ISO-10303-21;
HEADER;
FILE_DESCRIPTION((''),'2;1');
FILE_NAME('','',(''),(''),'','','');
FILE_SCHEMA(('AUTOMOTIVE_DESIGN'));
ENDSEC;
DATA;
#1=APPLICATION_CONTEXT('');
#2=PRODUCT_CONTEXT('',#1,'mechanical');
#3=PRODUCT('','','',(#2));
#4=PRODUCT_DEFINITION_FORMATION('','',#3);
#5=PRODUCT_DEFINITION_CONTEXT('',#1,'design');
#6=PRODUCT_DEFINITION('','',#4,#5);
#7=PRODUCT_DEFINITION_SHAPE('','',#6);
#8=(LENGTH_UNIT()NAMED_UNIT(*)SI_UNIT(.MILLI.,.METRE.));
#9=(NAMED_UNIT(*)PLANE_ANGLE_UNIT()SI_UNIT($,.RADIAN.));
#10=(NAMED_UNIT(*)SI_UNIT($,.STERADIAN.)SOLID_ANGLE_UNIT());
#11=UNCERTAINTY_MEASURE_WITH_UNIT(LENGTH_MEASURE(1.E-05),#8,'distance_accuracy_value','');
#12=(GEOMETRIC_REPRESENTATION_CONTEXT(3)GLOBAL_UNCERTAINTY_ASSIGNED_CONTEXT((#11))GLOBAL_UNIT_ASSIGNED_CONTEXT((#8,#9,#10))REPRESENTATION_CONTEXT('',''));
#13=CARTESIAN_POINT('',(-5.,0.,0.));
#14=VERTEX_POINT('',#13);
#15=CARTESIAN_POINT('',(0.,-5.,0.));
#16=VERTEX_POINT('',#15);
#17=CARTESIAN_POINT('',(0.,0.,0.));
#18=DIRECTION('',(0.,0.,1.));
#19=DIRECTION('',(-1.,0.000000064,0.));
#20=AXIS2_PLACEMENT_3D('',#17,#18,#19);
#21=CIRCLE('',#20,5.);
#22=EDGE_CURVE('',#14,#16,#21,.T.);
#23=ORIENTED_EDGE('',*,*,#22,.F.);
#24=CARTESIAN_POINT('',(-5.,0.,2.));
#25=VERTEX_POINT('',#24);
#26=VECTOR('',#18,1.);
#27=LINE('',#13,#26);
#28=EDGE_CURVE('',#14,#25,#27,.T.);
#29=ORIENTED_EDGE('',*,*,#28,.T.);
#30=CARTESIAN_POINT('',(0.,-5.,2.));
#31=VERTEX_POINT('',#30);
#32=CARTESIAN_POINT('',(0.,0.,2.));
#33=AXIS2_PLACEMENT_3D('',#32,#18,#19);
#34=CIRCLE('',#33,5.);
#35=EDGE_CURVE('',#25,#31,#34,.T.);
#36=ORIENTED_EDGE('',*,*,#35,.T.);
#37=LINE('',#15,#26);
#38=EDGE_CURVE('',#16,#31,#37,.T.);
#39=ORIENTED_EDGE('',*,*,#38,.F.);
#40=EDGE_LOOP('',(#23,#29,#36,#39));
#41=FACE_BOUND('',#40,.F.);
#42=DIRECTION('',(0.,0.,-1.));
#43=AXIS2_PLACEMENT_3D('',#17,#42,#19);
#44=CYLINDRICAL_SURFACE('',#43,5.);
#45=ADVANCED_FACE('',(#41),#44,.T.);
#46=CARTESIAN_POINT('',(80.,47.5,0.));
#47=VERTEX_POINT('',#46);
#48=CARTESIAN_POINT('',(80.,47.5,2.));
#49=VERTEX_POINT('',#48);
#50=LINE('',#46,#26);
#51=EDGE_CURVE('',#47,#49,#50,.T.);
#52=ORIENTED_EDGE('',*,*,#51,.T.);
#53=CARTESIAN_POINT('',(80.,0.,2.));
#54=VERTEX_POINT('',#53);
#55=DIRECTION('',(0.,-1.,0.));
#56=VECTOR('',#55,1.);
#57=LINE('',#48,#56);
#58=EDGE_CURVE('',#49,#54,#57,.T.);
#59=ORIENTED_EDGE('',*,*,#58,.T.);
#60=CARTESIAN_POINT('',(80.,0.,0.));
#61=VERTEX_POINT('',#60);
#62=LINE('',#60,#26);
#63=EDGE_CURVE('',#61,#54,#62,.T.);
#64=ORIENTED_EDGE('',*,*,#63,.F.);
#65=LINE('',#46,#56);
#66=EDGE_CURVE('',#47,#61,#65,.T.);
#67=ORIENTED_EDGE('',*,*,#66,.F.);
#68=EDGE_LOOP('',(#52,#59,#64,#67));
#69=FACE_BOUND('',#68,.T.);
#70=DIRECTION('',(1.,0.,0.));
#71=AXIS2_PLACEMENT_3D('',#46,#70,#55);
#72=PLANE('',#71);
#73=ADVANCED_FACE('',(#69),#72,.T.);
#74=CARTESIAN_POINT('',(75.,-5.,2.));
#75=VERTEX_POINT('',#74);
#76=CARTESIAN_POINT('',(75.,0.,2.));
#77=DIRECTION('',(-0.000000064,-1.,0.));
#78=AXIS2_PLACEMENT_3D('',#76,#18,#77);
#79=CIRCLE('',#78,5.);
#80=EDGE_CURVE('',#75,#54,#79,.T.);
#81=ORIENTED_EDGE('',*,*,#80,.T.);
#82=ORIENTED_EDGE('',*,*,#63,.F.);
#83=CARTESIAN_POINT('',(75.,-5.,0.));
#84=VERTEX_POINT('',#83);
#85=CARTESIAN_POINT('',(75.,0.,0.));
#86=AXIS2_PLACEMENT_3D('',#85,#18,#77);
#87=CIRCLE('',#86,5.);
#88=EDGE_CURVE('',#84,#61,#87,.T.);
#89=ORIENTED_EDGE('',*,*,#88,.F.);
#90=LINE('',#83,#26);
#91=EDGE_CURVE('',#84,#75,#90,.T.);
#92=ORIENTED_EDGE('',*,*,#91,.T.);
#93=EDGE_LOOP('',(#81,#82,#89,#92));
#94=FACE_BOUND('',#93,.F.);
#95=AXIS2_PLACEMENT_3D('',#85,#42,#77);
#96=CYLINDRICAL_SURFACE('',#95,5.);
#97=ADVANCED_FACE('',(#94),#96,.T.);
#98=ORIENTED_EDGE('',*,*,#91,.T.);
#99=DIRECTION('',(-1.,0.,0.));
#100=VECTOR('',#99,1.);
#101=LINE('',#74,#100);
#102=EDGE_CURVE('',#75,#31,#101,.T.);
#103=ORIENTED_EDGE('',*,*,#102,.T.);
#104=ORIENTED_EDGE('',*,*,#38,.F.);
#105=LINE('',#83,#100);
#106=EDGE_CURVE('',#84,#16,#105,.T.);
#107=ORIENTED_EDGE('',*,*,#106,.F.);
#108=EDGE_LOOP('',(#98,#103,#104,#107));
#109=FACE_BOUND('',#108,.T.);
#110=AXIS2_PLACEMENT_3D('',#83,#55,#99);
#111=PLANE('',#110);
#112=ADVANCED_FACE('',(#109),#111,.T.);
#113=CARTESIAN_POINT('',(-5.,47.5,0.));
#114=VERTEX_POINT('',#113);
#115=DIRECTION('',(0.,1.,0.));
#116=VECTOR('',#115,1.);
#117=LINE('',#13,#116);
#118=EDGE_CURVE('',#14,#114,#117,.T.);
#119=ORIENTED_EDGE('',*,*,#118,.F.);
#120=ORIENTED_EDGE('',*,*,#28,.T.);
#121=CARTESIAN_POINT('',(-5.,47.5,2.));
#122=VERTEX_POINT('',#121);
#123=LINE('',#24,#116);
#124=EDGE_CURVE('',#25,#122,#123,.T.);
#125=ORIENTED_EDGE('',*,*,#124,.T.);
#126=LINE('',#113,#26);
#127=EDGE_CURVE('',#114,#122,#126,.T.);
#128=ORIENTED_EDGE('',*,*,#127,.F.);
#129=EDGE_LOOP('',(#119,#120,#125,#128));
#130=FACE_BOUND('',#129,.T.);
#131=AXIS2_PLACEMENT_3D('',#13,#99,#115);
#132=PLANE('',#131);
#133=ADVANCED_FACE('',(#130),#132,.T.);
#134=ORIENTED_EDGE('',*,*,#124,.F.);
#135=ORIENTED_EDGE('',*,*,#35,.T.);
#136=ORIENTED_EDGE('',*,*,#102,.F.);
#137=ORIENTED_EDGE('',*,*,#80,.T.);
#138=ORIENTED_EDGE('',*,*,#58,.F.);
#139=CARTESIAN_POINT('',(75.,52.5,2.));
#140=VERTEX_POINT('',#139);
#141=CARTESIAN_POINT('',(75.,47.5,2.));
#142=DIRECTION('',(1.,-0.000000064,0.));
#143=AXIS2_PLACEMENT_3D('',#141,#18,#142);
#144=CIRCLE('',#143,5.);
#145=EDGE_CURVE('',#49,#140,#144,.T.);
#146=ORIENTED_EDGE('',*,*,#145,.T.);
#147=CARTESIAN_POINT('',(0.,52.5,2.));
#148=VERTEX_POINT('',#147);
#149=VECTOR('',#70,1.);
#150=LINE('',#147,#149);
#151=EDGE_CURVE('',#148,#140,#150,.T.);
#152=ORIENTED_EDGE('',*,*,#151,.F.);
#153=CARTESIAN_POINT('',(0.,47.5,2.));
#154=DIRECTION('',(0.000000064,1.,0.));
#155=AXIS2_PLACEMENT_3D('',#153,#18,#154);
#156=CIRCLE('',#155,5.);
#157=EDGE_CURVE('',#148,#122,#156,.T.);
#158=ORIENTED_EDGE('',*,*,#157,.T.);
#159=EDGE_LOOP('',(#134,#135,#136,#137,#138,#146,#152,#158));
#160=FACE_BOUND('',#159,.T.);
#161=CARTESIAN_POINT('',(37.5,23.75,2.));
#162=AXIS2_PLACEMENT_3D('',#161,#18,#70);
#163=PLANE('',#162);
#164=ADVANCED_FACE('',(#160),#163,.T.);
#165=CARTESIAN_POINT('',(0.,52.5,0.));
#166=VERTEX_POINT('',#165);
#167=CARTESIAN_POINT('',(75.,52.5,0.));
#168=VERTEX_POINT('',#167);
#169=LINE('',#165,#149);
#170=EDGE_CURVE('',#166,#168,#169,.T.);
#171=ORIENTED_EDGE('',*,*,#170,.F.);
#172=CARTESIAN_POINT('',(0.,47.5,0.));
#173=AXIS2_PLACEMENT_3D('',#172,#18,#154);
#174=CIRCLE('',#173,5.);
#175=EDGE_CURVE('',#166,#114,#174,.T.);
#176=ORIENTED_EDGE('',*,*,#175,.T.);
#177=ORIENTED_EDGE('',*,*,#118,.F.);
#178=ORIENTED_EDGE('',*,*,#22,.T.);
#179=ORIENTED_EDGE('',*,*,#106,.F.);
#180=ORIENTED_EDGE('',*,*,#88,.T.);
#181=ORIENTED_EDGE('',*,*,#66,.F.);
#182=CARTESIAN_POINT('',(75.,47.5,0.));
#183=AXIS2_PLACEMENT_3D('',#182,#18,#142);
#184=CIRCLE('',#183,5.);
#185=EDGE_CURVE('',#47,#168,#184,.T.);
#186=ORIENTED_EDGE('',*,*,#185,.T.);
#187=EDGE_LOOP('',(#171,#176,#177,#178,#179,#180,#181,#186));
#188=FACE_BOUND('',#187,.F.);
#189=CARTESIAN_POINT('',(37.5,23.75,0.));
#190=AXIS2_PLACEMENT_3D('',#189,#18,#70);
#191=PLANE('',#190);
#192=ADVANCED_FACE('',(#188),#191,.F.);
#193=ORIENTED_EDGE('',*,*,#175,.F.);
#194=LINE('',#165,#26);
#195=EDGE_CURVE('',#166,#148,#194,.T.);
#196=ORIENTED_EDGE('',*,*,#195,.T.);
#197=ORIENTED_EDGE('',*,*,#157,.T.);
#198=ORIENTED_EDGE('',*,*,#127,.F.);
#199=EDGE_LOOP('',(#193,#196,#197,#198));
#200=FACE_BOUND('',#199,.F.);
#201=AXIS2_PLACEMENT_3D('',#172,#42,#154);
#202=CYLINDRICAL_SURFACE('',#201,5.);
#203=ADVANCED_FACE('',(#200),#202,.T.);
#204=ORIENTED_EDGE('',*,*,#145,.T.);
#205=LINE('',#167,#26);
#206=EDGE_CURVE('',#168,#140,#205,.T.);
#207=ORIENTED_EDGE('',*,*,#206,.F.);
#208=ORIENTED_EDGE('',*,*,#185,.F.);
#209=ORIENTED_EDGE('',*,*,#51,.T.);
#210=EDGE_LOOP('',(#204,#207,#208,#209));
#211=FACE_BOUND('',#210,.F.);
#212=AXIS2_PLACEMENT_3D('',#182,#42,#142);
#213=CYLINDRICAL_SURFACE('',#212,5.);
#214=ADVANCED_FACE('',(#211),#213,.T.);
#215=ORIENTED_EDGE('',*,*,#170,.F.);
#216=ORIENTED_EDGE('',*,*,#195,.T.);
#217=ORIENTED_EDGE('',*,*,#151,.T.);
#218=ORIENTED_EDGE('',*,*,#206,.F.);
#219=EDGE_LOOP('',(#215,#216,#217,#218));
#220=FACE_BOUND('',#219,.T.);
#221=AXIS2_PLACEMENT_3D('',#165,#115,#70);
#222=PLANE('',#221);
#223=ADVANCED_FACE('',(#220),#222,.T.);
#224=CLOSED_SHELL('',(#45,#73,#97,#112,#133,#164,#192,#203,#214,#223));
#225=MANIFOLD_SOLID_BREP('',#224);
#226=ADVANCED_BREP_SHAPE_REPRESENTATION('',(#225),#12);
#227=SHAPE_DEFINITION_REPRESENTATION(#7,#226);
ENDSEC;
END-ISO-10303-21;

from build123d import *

# Parameters (mm, degrees)
PAD_DEPTH = 2


with BuildPart() as part:
    # Sketch → Pad (new body)
    with BuildSketch(Plane.XY):
        with BuildLine():
            ThreePointArc((0, 52.5), (-3.535534, 51.035534), (-5, 47.5))
            Line((-5, 0), (-5, 47.5))
            ThreePointArc((-5, 0), (-3.535534, -3.535534), (0, -5))
            Line((75, -5), (0, -5))
            ThreePointArc((75, -5), (78.535534, -3.535534), (80, 0))
            Line((80, 47.5), (80, 0))
            ThreePointArc((80, 47.5), (78.535534, 51.035534), (75, 52.5))
            Line((0, 52.5), (75, 52.5))
        make_face()
    extrude(amount=PAD_DEPTH)


solid = part.part
